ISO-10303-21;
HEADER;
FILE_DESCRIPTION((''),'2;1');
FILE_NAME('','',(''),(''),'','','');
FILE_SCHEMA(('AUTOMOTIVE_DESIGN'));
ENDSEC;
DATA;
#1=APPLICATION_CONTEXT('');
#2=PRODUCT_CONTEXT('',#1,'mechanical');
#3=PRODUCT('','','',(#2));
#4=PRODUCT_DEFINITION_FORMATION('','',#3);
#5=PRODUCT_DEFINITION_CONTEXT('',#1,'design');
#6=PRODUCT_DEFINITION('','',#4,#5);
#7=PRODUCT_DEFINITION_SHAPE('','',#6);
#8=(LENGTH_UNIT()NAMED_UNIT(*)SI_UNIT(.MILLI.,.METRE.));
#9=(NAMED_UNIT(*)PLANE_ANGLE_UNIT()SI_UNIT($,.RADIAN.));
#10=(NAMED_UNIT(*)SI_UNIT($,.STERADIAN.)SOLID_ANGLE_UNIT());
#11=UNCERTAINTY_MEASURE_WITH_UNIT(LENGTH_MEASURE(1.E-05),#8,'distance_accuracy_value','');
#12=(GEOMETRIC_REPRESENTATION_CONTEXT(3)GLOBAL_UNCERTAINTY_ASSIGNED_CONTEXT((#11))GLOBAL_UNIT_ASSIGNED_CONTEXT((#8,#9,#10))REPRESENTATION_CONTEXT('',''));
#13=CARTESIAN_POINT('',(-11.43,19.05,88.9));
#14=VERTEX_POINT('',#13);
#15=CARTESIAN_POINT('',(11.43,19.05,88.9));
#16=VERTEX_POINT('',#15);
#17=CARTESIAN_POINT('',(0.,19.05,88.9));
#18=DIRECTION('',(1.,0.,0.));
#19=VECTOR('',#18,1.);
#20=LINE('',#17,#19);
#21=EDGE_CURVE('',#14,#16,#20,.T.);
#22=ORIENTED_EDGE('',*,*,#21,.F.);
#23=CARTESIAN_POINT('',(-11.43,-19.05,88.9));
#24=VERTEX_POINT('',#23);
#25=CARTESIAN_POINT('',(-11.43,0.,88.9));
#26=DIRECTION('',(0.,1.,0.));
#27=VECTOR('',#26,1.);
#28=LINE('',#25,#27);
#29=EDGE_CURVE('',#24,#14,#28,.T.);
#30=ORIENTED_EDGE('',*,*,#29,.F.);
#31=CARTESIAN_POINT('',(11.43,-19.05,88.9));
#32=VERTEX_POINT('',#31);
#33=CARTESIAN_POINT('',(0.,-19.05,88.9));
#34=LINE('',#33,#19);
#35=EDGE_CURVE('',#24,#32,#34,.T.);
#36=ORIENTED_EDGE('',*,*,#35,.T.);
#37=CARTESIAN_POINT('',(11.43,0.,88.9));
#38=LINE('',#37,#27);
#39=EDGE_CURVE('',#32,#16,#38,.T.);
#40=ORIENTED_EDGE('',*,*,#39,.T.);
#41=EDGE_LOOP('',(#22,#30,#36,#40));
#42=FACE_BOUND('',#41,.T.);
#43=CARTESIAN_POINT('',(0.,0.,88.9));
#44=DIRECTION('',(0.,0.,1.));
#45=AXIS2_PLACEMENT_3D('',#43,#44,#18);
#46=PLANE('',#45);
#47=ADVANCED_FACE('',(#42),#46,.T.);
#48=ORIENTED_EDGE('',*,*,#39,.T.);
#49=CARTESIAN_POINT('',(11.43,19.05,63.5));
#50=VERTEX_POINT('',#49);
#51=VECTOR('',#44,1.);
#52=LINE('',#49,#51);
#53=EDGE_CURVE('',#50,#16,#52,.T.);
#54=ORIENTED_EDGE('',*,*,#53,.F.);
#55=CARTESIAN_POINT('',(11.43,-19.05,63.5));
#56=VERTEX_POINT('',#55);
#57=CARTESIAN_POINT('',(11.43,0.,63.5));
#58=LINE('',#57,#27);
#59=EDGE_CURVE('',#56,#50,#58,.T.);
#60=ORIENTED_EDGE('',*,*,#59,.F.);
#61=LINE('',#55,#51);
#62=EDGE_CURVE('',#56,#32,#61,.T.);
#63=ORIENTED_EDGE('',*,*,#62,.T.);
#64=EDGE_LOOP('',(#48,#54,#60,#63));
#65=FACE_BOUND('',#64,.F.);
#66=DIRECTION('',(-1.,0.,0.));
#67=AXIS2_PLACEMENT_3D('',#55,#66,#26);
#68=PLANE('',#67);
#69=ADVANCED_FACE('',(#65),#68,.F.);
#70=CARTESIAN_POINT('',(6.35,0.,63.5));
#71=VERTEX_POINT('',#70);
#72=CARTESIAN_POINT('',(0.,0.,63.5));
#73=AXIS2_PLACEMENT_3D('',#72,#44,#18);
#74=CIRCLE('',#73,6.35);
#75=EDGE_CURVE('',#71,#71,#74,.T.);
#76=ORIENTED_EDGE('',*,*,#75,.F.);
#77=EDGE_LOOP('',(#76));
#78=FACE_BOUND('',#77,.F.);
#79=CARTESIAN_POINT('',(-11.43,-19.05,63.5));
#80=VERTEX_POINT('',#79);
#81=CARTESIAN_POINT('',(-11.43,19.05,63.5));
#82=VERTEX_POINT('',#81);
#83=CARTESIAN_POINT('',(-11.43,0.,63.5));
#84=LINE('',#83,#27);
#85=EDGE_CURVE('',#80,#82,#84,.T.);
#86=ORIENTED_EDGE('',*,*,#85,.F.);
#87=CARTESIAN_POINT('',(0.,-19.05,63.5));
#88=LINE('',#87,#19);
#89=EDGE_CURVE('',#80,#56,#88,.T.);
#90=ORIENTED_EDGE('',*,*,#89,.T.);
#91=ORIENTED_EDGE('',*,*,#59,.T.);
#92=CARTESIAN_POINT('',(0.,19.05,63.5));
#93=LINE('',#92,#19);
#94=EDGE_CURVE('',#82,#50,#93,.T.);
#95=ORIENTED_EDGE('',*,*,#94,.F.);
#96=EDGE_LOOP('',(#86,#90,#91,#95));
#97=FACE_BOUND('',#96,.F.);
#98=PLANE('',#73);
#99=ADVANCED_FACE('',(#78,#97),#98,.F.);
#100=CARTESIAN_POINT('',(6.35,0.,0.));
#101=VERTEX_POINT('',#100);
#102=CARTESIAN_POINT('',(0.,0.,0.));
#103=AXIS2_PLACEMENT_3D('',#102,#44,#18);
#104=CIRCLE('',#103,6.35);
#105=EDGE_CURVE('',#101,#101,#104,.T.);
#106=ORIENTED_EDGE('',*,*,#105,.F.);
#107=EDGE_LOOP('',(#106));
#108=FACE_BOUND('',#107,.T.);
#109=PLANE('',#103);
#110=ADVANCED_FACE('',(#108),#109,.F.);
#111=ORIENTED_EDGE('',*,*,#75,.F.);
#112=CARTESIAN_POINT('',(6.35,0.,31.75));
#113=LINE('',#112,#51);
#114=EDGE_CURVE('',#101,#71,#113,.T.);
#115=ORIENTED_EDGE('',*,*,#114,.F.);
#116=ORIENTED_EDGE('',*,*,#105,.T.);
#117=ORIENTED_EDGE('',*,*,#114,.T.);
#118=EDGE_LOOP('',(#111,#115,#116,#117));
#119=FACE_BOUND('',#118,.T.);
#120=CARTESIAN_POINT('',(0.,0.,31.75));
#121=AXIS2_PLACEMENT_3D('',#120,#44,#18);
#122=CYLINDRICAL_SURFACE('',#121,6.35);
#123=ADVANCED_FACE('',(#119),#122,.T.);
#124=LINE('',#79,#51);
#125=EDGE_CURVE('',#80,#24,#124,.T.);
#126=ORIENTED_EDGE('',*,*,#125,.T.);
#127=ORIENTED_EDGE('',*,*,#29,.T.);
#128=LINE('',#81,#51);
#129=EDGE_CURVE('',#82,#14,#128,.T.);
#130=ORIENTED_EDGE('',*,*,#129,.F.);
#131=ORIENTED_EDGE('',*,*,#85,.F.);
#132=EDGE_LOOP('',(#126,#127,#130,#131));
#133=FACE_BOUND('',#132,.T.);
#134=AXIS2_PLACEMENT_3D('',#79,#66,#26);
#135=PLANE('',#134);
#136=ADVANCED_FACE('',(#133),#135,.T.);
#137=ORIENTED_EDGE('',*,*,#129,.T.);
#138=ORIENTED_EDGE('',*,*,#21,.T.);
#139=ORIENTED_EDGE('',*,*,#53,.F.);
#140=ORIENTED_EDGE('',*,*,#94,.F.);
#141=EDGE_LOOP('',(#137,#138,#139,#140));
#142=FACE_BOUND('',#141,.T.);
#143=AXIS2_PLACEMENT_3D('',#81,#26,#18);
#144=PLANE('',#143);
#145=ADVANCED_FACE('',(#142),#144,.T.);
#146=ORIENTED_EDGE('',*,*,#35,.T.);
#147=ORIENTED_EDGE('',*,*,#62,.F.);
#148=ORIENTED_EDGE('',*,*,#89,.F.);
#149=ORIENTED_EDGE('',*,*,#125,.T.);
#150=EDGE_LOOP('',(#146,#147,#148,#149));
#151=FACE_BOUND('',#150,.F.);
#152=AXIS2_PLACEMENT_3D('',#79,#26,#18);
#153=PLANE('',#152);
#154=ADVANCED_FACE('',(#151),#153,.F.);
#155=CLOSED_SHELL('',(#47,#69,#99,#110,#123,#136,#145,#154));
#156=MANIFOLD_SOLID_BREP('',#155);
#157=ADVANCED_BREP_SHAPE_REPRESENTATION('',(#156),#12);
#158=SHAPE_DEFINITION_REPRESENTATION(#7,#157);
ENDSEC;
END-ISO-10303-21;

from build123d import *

# Parameters (mm, degrees)
F0_W     = 6.35
F0_H     = 63.5
F2_W     = 22.86
F2_H     = 38.1
F3_DEPTH = 25.4


with BuildPart() as f1:
    # F0 (on Front) → F1 (revolve)
    with BuildSketch(Plane.XZ):
        with Locations((3.175, 31.75)):
            Rectangle(F0_W, F0_H)
    revolve(axis=Axis((0, 0, 31.75), (0, 0, 1)))

    # F2 (on face) → F3 (join)
    with BuildSketch(Plane.XY.offset(63.5)):
        Rectangle(F2_W, F2_H)
    extrude(amount=F3_DEPTH)


solid = f1.part
